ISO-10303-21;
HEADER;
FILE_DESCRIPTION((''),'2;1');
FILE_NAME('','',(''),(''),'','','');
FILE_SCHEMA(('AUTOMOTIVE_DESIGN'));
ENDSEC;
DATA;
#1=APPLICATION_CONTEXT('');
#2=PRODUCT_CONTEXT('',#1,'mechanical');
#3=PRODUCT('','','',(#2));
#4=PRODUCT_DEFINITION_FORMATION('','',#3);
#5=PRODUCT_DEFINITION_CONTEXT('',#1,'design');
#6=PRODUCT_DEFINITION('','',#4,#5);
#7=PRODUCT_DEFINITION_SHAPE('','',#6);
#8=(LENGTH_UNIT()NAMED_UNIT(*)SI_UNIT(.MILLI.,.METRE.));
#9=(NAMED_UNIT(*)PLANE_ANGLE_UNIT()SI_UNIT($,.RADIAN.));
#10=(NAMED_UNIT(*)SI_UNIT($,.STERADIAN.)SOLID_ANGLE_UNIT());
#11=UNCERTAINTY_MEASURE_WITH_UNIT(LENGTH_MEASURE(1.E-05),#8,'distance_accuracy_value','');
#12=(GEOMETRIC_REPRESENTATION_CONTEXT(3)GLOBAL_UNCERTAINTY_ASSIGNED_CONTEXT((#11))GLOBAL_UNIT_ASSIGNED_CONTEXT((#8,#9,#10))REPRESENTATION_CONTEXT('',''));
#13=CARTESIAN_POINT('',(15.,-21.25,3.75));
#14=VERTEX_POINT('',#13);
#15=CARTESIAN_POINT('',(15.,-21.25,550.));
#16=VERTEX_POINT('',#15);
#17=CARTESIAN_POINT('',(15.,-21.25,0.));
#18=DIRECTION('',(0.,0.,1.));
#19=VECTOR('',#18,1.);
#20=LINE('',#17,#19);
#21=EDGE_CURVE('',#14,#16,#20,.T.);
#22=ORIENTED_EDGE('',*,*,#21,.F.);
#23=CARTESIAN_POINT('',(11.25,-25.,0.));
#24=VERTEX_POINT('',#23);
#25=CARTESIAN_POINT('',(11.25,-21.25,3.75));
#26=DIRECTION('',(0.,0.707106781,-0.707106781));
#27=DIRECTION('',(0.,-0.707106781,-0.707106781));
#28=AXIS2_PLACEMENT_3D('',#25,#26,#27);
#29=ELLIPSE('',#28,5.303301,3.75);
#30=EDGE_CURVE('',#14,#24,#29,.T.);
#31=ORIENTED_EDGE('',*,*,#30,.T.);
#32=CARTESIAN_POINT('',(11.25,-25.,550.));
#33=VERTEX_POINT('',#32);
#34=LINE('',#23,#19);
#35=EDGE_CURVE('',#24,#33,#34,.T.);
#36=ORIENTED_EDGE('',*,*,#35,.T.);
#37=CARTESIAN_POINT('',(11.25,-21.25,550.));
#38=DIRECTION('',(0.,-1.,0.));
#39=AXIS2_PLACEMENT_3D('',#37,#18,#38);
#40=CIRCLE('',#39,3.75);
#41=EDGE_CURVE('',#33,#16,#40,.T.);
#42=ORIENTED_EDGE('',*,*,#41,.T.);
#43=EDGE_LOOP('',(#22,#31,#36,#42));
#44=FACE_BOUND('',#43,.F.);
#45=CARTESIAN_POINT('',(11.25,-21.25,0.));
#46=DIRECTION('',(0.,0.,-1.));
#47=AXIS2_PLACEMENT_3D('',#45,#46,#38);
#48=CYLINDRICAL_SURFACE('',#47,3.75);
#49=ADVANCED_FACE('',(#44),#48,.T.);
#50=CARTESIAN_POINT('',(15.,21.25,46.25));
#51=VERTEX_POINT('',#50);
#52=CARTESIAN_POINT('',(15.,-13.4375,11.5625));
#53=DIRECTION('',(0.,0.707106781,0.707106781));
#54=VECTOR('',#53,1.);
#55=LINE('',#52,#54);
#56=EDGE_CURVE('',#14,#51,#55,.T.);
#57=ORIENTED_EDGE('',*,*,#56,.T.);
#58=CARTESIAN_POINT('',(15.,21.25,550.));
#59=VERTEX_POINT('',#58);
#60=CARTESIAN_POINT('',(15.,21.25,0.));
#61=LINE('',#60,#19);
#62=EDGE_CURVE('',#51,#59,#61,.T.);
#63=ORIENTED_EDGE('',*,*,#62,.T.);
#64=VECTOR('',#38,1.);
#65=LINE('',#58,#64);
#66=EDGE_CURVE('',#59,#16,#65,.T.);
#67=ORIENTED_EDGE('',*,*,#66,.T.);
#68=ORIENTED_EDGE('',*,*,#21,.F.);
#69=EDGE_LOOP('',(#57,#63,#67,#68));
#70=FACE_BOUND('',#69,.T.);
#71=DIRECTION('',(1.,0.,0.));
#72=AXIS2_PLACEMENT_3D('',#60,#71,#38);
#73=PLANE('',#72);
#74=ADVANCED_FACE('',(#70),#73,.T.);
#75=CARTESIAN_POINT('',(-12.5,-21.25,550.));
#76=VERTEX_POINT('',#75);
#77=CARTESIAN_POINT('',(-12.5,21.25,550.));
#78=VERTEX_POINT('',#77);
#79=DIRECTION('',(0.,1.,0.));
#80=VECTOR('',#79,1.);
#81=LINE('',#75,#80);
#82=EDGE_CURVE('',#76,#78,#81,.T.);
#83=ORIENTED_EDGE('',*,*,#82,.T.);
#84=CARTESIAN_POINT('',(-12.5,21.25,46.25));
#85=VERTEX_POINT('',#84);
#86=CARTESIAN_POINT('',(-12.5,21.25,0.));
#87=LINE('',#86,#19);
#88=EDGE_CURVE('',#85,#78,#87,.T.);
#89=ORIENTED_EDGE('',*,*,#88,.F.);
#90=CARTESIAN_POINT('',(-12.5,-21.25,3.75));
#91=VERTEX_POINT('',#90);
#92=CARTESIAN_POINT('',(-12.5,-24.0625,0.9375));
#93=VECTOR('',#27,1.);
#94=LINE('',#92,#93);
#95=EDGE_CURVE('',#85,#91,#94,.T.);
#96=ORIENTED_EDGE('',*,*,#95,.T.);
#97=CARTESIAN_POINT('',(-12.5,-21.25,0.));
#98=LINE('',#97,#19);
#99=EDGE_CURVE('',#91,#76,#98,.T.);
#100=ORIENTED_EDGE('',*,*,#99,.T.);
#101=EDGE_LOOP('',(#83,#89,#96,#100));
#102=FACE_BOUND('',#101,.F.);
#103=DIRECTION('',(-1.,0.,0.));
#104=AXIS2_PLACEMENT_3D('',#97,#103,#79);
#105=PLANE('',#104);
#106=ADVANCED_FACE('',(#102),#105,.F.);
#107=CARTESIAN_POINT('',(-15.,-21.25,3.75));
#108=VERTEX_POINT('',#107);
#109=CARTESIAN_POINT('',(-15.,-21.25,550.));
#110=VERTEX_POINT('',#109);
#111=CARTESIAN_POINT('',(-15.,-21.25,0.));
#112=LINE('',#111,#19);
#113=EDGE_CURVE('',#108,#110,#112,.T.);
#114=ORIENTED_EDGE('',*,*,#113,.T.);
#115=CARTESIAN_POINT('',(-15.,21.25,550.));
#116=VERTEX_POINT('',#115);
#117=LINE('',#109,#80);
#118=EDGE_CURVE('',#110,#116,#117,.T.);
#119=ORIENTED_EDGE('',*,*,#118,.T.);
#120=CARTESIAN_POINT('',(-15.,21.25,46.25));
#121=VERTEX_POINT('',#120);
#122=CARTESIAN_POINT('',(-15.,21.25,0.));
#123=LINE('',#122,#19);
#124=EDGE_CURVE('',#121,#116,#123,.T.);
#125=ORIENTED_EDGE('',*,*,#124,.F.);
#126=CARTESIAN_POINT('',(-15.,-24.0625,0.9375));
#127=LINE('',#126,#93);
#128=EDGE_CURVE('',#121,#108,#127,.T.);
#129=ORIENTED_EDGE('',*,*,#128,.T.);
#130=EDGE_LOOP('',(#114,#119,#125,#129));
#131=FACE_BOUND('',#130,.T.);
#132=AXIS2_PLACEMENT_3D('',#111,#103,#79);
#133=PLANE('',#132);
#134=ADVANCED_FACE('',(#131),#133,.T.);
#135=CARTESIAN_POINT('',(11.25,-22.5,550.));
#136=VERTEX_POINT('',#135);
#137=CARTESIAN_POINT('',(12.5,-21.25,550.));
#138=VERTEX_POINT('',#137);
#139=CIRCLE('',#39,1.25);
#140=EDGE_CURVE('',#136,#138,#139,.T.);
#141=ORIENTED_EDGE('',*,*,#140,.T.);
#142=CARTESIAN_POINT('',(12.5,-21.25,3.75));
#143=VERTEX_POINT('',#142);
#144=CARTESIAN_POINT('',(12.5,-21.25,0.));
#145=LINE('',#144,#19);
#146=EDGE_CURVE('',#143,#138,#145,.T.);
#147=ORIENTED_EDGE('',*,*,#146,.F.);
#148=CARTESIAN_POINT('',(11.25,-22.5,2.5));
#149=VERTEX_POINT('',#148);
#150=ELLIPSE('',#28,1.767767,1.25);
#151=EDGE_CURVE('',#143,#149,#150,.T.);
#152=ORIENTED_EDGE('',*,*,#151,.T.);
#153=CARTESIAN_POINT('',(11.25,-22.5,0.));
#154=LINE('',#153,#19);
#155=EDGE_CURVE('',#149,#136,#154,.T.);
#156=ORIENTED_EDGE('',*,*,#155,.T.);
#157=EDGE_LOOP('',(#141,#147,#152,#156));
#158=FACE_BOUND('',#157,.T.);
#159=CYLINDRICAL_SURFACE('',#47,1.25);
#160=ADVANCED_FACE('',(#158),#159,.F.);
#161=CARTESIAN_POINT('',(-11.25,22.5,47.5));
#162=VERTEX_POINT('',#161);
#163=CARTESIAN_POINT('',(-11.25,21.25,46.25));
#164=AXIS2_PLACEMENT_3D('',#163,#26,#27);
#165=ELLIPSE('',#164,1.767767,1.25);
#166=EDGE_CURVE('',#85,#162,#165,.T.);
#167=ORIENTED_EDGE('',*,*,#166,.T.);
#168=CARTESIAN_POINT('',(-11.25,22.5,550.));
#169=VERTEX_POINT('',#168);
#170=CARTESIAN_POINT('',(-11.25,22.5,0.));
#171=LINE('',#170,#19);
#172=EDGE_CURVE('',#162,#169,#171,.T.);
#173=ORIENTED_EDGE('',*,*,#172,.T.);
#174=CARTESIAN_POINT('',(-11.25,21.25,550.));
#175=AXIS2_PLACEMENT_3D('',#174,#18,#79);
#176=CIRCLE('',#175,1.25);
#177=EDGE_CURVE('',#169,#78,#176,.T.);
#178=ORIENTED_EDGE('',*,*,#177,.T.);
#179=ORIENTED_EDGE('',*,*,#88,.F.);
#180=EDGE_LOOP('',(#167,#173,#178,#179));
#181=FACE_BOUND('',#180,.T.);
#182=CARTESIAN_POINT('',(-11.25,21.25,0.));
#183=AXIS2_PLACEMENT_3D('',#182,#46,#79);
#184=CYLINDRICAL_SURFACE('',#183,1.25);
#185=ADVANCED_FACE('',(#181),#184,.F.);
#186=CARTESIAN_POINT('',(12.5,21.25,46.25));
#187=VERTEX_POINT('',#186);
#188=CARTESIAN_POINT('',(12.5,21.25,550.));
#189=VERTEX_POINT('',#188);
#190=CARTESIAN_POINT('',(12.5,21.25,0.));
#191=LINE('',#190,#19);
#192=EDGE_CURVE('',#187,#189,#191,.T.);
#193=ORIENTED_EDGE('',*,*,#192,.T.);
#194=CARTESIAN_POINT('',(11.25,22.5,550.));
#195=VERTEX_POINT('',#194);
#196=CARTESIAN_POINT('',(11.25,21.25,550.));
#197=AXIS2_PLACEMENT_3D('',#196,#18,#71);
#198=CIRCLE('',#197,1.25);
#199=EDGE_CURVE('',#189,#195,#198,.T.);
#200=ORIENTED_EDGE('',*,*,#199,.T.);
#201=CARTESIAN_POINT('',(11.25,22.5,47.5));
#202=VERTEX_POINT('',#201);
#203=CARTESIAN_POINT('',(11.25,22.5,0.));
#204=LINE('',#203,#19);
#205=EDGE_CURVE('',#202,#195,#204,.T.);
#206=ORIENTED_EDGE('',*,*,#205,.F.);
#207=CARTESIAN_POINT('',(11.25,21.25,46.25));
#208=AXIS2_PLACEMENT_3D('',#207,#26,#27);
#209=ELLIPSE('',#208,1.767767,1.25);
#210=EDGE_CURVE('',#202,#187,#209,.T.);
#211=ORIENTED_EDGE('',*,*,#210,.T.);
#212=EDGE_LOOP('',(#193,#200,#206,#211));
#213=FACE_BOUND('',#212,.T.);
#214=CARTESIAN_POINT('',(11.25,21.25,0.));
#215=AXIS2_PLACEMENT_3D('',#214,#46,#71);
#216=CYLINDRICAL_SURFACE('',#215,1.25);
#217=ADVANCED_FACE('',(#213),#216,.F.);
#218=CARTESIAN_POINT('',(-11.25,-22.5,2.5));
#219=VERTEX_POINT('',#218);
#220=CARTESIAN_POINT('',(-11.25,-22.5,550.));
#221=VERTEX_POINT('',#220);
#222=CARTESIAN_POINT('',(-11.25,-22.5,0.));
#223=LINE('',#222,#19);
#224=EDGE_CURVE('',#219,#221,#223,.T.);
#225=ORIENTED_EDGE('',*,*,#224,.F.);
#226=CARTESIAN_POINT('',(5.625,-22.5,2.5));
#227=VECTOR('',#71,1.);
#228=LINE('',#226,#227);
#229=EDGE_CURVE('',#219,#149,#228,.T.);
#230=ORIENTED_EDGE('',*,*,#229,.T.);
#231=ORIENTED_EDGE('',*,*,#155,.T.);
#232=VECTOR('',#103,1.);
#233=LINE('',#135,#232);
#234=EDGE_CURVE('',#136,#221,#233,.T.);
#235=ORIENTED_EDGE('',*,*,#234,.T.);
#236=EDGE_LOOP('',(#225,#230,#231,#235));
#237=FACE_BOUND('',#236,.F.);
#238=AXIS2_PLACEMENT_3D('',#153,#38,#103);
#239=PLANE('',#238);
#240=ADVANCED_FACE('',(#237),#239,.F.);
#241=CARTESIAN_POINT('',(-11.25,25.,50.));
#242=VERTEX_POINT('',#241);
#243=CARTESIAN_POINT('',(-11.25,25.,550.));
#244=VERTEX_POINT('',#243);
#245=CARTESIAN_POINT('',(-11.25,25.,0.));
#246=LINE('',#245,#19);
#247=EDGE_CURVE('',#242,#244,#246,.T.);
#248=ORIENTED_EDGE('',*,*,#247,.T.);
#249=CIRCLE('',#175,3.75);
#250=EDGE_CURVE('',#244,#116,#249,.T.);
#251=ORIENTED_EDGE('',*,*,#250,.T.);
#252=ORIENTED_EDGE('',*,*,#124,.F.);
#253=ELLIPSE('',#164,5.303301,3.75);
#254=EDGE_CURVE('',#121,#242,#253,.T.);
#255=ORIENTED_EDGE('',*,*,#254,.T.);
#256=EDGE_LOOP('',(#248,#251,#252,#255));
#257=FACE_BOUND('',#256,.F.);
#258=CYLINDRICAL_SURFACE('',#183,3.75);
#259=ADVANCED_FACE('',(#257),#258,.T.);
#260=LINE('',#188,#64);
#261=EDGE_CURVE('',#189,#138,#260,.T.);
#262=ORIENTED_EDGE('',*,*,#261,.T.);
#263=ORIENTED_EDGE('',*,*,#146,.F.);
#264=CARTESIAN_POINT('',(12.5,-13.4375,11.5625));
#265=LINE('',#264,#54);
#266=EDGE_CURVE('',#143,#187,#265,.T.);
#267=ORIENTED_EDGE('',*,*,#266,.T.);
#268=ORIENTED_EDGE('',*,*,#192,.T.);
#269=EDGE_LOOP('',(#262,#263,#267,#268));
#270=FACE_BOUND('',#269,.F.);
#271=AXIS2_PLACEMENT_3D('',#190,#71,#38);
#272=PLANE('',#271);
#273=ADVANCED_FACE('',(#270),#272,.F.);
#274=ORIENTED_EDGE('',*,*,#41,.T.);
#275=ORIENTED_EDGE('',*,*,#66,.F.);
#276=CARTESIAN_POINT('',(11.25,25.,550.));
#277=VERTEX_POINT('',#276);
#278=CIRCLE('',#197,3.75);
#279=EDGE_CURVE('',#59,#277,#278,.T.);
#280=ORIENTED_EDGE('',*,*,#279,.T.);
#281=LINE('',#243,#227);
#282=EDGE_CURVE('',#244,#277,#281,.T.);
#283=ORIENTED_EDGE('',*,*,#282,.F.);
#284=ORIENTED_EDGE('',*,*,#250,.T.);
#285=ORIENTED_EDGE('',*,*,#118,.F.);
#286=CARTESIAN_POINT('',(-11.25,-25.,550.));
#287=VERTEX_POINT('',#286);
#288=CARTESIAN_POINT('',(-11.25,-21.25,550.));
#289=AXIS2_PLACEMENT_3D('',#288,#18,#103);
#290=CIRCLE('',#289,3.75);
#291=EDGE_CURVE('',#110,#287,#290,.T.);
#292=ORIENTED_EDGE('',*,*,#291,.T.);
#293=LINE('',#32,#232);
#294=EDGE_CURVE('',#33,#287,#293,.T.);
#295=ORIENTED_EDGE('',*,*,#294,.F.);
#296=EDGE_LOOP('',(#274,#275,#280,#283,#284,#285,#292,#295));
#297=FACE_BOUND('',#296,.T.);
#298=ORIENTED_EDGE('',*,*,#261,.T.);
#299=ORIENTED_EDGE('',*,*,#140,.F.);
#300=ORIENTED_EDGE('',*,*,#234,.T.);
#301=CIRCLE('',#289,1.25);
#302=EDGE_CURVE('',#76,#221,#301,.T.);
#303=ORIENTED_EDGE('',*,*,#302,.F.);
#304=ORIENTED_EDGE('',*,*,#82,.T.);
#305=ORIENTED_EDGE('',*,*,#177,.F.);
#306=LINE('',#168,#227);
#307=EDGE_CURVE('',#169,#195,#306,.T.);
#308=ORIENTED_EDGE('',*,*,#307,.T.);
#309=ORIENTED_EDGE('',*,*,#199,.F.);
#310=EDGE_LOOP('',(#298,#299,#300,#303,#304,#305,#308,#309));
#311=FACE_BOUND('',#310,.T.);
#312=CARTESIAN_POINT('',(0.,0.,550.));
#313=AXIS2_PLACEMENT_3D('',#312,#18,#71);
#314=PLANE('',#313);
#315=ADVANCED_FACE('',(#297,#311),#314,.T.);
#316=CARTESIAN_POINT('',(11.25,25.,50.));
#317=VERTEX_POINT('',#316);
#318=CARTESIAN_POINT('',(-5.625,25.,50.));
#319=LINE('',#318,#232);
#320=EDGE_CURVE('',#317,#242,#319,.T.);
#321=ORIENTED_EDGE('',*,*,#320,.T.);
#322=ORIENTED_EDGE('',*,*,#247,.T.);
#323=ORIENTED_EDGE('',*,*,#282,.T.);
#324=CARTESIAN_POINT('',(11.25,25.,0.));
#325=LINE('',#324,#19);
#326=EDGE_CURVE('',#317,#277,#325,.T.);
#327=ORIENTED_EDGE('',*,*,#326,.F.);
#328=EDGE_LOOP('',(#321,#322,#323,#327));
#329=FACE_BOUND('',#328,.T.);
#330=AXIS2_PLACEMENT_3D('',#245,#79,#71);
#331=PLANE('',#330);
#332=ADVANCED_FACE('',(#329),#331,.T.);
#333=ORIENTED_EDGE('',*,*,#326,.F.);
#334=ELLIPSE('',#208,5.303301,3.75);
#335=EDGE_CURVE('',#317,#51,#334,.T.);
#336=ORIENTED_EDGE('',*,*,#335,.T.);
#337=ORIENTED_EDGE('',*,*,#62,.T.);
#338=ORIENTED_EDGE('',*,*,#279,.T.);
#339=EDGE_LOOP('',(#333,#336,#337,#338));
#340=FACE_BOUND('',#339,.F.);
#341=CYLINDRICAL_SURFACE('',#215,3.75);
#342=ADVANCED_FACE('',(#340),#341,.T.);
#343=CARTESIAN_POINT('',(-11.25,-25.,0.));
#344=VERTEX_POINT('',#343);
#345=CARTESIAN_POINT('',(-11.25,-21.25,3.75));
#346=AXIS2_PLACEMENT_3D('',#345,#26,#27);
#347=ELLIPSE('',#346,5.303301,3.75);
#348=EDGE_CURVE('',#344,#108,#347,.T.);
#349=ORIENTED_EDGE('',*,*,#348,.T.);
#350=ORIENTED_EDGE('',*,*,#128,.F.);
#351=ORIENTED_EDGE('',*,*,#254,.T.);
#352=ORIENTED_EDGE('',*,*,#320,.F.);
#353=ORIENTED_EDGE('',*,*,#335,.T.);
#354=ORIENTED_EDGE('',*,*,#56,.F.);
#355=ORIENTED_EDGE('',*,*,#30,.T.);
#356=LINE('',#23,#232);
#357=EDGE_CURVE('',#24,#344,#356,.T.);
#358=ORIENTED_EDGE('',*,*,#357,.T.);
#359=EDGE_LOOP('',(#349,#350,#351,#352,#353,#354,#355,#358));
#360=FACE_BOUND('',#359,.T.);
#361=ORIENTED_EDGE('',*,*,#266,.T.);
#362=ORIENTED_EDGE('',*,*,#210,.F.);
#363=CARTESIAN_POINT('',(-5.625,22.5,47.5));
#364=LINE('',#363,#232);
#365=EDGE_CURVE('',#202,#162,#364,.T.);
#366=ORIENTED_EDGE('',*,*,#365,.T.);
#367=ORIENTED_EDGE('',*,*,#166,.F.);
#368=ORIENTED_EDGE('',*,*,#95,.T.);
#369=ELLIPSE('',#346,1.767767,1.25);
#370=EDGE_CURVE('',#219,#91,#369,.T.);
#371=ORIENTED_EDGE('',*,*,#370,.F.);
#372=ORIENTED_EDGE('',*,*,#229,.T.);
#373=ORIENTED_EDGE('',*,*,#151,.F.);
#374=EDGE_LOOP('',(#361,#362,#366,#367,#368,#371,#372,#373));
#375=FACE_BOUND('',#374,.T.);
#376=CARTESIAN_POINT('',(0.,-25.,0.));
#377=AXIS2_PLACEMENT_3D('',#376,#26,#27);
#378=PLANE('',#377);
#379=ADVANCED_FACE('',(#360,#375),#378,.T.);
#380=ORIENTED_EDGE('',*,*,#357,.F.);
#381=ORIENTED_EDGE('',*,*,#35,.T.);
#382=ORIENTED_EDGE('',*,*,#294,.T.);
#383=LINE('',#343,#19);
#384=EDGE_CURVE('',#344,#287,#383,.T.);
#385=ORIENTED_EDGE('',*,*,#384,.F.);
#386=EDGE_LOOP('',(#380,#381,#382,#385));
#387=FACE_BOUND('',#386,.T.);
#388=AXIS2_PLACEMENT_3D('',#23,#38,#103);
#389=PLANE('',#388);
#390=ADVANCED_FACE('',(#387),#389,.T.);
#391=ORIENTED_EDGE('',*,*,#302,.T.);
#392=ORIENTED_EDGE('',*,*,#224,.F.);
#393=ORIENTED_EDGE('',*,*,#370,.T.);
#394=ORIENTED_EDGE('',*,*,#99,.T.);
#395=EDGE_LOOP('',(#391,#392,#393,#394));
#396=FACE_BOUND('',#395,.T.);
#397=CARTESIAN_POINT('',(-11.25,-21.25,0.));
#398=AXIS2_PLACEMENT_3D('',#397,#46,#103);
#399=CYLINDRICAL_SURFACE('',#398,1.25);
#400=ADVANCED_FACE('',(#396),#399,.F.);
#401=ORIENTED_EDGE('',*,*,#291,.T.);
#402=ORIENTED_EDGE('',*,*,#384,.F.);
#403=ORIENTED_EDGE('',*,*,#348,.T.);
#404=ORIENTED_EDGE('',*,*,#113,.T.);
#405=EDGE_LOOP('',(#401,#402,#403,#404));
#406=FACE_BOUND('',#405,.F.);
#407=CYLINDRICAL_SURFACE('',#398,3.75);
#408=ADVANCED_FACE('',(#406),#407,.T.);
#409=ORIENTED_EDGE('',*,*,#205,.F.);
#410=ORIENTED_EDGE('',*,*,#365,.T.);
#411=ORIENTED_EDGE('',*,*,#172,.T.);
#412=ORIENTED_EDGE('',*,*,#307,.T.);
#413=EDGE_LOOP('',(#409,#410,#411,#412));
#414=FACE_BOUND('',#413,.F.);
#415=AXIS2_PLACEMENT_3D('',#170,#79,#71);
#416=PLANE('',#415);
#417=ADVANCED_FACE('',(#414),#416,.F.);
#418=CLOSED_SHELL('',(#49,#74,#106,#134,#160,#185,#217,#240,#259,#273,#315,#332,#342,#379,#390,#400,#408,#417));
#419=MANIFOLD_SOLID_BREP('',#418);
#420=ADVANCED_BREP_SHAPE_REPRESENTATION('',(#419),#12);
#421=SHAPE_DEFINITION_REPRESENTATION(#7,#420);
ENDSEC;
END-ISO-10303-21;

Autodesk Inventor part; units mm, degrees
ref_plane "Plano inicial" through (0, 0, 0) normal (0, 0, 1) x (1, 0, 0)
ref_plane "Plano final" through (0, 0, 550) normal (0, 0, 1) x (1, 0, 0)
sketch "Esboço" plane through (0, 0, 0) normal (0, 0, 1) x (1, 0, 0)
  line L0 (-15, -21.25) -> (-15, 21.25)
  line L1 (-11.25, 25) -> (11.25, 25)
  line L2 (15, 21.25) -> (15, -21.25)
  line L3 (11.25, -25) -> (-11.25, -25)
  arc A0 (-15, -21.25) -> (-11.25, -25) centre (-11.25, -21.25) ccw
  arc A1 (-11.25, 25) -> (-15, 21.25) centre (-11.25, 21.25) ccw
  arc A2 (15, 21.25) -> (11.25, 25) centre (11.25, 21.25) ccw
  arc A3 (11.25, -25) -> (15, -21.25) centre (11.25, -21.25) ccw
  arc A4 (-11.25, 22.5) -> (-12.5, 21.25) centre (-11.25, 21.25) ccw
  line L4 (-11.25, 22.5) -> (11.25, 22.5)
  arc A5 (12.5, 21.25) -> (11.25, 22.5) centre (11.25, 21.25) ccw
  line L5 (12.5, 21.25) -> (12.5, -21.25)
  arc A6 (11.25, -22.5) -> (12.5, -21.25) centre (11.25, -21.25) ccw
  line L6 (11.25, -22.5) -> (-11.25, -22.5)
  arc A7 (-12.5, -21.25) -> (-11.25, -22.5) centre (-11.25, -21.25) ccw
  line L7 (-12.5, -21.25) -> (-12.5, 21.25)
  line L8 (0, 36.0873) -> (0, -36.0873) construction
  line L9 (-22.0873, 0) -> (22.0873, 0) construction
  dimension "d7" = 3.75
  dimension "d10" = 50
  dimension "d11" = 30
  dimension "d12" = 2.5
  dimension "d15" = 25
  dimension "d16" = 15
extrude "Corpo" add sketch "Esboço" along normal up to surface (550 mm away) from surface at 0
sketch "Sketch3" plane through (0, 0, 0) normal (0, 0, 1) x (1, 0, 0)
  line L0 (0, 0) -> (10, 0)
ref_plane "Work Plane3" through (0, 0, 0) normal (0, -1, 0) x (1, 0, 0)
sketch "Sketch4" plane through (0, 0, 0) normal (0, -1, 0) x (1, 0, 0)
  line L0 (-2, 0) -> (12, 0)
  line L1 (-2, 550) -> (12, 550)
  dimension "d18" = 550
ref_plane "Plano de trabalho5" through (0, -25, 0) normal (0, 0.7071, -0.7071) x (1, 0, 0)
split "Dividir2" plane through (0, -25, 0) removes the side toward (0, 0.7071, -0.7071)
equation "\"d7\" = G_IR"
equation "\"d10\" = G_H"
equation "\"d11\" = G_W"
equation "\"d12\" = G_T"
equation "\"d15\" = 0.5 * d10"
equation "\"d16\" = 0.5 * d11"
equation "\"d3\" = G_L"
equation "\"G_W\" = 30"
equation "\"G_H\" = 50"
equation "\"G_T\" = 2.5"
equation "\"G_IR\" = 3.75"
equation "\"G_L\" = d18"
equation "\"G_OFFSET_START\" = 0"
equation "\"G_OFFSET_END\" = 0"
properties part number "ISO 12633-2 - 50x30x2.5 - 550" material "Aço, suave"
